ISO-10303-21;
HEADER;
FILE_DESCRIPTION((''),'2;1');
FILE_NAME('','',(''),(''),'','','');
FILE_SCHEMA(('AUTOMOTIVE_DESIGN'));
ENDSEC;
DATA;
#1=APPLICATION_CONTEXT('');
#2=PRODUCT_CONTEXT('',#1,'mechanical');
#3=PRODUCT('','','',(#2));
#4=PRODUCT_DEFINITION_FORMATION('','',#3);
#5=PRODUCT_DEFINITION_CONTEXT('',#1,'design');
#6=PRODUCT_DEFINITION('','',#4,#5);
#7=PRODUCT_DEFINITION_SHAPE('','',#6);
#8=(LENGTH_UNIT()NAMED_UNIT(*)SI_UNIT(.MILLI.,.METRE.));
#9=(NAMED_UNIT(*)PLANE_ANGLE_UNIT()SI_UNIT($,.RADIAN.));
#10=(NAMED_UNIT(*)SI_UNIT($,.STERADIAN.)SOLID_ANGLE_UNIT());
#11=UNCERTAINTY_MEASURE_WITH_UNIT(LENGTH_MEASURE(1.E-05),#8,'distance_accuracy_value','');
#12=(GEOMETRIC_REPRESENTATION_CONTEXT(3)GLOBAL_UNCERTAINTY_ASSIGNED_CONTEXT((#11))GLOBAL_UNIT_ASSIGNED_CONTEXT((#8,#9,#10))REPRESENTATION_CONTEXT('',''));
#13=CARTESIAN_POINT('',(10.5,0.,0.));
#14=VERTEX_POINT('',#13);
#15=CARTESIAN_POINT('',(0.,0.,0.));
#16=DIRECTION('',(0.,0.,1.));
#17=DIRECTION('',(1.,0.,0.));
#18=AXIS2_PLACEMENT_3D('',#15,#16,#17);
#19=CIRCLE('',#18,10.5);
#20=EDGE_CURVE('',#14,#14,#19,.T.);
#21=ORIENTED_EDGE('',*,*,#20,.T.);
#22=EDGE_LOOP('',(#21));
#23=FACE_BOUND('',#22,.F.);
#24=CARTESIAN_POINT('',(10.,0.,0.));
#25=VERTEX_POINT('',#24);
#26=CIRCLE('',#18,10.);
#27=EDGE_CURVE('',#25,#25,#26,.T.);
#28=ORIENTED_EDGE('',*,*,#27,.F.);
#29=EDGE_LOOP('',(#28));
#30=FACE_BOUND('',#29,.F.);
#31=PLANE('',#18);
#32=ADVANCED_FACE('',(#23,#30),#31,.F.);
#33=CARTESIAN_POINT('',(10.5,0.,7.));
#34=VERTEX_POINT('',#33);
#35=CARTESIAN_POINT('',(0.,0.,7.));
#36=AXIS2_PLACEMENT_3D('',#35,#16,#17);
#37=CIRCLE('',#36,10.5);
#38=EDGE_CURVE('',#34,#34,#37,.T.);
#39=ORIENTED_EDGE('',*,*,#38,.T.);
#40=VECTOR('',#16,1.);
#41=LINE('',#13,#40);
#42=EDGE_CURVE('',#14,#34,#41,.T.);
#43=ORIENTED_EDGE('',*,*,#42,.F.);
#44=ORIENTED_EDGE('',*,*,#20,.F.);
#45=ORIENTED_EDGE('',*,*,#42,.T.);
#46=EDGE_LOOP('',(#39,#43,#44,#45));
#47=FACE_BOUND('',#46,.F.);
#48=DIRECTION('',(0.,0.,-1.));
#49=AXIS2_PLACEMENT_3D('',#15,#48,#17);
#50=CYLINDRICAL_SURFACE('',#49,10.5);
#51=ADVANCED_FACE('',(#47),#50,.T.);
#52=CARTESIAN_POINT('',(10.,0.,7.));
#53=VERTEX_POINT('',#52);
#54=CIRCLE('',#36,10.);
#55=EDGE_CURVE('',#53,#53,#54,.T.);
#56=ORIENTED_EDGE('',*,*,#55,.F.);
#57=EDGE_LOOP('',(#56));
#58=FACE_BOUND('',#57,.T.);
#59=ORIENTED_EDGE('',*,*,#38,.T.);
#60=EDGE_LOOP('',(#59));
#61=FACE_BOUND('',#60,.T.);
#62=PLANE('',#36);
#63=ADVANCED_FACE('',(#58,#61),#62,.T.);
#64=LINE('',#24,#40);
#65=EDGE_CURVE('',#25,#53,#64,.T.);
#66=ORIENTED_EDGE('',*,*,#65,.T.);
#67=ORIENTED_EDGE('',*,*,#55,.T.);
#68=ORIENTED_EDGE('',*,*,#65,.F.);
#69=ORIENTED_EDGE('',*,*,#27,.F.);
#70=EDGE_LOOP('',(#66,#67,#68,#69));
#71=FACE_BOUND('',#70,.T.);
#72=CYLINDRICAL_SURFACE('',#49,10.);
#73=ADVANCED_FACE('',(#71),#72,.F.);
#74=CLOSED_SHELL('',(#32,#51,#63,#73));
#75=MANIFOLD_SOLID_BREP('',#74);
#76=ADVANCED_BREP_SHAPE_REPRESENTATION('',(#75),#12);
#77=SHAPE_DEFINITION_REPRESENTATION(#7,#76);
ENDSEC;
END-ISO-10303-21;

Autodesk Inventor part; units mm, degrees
ref_plane "YZ Plane" through (0, 0, 0) normal (1, 0, 0) x (0, 1, 0)
ref_plane "XZ Plane" through (0, 0, 0) normal (0, 1, 0) x (-1, 0, 0)
ref_plane "XY Plane" through (0, 0, 0) normal (0, 0, 1) x (1, 0, 0)
sketch "Skizze1" plane through (0, 0, 0) normal (0, 0, 1) x (1, 0, 0)
  circle A0 centre (0, 0) radius 10
  circle A1 centre (0, 0) radius 10.5
  dimension "d0" = 20
  dimension "d1" = 21
extrude "Extrusion1" add sketch "Skizze1" along normal blind 7
properties part number "außenlager" material "Edelstahl"
